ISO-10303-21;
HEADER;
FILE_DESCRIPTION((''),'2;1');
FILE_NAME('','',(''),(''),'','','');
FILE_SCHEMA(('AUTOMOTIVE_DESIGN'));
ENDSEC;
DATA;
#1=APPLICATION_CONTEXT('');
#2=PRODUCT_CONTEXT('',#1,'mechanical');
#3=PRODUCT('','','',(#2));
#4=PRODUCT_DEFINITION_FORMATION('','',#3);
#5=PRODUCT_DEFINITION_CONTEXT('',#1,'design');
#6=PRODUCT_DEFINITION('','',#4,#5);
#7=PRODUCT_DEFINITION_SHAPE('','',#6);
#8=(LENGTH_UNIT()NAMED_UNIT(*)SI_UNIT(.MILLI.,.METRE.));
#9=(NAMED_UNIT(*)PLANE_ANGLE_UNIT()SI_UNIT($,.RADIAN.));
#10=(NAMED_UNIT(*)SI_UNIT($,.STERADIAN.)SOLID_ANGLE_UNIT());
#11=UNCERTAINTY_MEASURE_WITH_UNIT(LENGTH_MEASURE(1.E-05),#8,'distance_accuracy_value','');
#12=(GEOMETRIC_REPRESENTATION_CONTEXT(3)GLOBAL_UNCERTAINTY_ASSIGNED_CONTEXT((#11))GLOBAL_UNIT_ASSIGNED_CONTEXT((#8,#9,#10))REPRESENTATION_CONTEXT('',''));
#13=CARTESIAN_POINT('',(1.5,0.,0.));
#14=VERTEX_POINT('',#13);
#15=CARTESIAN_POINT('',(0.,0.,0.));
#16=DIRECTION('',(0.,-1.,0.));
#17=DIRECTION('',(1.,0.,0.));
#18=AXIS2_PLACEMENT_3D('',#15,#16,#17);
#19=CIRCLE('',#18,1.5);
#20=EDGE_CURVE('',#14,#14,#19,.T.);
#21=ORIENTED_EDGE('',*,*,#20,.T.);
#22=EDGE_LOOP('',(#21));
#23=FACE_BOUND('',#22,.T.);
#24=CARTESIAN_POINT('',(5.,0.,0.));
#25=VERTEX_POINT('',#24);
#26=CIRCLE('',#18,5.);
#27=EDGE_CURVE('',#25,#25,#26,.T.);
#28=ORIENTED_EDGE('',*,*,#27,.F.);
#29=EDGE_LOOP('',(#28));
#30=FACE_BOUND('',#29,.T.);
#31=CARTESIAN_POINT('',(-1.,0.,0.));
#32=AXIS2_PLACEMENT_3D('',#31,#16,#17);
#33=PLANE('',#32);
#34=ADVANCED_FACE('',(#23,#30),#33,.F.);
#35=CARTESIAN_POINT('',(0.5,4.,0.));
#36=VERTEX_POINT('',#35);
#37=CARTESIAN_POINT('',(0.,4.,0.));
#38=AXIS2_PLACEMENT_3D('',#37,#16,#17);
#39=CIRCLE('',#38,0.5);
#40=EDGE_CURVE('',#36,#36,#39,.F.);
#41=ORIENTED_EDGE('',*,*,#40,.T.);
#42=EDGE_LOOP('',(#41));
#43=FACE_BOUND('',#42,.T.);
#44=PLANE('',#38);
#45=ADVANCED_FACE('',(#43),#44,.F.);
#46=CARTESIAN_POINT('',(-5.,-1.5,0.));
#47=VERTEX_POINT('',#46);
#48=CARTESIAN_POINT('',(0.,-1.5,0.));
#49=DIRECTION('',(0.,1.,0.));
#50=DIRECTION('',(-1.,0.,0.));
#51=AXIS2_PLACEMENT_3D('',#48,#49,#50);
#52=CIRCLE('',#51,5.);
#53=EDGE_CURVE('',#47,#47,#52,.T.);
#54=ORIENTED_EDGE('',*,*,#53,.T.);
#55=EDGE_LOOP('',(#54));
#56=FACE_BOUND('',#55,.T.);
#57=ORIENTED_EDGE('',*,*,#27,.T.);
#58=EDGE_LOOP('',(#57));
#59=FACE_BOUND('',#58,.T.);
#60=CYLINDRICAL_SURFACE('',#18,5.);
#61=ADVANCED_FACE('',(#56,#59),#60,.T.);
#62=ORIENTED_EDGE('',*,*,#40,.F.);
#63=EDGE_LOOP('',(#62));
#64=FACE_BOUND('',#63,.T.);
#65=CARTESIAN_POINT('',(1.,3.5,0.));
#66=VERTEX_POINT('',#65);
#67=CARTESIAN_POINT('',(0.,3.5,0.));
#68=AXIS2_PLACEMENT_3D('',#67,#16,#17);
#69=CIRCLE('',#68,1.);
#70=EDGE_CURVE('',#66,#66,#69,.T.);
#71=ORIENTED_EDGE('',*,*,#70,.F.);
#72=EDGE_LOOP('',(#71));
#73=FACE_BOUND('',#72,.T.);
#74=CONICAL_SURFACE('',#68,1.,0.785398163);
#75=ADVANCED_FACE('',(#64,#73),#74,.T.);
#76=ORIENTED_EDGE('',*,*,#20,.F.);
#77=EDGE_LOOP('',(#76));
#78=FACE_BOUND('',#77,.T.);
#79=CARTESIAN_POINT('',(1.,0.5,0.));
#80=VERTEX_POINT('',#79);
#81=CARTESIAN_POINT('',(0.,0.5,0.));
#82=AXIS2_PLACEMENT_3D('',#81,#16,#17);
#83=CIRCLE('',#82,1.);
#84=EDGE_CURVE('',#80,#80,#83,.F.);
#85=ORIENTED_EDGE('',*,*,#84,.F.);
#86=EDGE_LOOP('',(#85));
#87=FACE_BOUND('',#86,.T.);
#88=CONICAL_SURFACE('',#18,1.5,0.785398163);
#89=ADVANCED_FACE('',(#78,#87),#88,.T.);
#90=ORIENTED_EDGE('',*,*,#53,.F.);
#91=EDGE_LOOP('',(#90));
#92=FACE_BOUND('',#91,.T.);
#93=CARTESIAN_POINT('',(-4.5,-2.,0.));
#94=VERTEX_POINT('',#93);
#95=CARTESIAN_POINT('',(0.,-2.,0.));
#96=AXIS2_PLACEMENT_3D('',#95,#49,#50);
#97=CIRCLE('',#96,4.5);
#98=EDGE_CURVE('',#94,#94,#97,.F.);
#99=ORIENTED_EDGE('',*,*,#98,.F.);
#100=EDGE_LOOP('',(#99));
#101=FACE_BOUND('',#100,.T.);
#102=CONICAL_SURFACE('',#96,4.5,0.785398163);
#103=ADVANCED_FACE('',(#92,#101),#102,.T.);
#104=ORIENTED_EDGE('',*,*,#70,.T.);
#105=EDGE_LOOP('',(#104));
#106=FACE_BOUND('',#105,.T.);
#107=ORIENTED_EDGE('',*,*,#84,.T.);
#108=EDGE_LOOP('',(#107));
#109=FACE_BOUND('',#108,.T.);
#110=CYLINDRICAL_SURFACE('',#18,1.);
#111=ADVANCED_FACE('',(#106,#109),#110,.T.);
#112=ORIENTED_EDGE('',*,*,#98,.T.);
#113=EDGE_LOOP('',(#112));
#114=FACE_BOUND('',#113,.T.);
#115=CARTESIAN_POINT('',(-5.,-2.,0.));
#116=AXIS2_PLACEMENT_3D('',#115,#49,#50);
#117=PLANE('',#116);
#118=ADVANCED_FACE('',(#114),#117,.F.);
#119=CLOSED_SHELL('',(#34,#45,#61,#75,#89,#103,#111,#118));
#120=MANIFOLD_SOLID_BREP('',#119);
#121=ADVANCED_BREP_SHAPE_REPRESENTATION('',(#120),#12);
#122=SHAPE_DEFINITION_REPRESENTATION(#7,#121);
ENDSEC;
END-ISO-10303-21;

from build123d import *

# Parameters (mm, degrees)
CHAMFER1_SIZE = 0.5


with BuildPart() as part:
    # Sketch1 → Revolve1 (revolve)
    with BuildSketch(Plane.XY, mode=Mode.PRIVATE) as revolve1_sk:
        Polygon((0, 4), (-1, 4), (-1, 0), (-5, 0), (-5, -2), (0, -2), align=None)
    revolve(revolve1_sk.sketch.rotate(Axis((0, 0, 0), (0, 1, 0)), 180), axis=Axis((0, 0, 0), (0, 1, 0)))

    # Chamfer1
    chamfer1_edges = [part.edges().sort_by_distance(p)[0] for p in [
        (-5, -2, 0),
        (-1, 0, 0),
        (-1, 4, 0),
    ]]
    chamfer(chamfer1_edges, length=CHAMFER1_SIZE)


solid = part.part
